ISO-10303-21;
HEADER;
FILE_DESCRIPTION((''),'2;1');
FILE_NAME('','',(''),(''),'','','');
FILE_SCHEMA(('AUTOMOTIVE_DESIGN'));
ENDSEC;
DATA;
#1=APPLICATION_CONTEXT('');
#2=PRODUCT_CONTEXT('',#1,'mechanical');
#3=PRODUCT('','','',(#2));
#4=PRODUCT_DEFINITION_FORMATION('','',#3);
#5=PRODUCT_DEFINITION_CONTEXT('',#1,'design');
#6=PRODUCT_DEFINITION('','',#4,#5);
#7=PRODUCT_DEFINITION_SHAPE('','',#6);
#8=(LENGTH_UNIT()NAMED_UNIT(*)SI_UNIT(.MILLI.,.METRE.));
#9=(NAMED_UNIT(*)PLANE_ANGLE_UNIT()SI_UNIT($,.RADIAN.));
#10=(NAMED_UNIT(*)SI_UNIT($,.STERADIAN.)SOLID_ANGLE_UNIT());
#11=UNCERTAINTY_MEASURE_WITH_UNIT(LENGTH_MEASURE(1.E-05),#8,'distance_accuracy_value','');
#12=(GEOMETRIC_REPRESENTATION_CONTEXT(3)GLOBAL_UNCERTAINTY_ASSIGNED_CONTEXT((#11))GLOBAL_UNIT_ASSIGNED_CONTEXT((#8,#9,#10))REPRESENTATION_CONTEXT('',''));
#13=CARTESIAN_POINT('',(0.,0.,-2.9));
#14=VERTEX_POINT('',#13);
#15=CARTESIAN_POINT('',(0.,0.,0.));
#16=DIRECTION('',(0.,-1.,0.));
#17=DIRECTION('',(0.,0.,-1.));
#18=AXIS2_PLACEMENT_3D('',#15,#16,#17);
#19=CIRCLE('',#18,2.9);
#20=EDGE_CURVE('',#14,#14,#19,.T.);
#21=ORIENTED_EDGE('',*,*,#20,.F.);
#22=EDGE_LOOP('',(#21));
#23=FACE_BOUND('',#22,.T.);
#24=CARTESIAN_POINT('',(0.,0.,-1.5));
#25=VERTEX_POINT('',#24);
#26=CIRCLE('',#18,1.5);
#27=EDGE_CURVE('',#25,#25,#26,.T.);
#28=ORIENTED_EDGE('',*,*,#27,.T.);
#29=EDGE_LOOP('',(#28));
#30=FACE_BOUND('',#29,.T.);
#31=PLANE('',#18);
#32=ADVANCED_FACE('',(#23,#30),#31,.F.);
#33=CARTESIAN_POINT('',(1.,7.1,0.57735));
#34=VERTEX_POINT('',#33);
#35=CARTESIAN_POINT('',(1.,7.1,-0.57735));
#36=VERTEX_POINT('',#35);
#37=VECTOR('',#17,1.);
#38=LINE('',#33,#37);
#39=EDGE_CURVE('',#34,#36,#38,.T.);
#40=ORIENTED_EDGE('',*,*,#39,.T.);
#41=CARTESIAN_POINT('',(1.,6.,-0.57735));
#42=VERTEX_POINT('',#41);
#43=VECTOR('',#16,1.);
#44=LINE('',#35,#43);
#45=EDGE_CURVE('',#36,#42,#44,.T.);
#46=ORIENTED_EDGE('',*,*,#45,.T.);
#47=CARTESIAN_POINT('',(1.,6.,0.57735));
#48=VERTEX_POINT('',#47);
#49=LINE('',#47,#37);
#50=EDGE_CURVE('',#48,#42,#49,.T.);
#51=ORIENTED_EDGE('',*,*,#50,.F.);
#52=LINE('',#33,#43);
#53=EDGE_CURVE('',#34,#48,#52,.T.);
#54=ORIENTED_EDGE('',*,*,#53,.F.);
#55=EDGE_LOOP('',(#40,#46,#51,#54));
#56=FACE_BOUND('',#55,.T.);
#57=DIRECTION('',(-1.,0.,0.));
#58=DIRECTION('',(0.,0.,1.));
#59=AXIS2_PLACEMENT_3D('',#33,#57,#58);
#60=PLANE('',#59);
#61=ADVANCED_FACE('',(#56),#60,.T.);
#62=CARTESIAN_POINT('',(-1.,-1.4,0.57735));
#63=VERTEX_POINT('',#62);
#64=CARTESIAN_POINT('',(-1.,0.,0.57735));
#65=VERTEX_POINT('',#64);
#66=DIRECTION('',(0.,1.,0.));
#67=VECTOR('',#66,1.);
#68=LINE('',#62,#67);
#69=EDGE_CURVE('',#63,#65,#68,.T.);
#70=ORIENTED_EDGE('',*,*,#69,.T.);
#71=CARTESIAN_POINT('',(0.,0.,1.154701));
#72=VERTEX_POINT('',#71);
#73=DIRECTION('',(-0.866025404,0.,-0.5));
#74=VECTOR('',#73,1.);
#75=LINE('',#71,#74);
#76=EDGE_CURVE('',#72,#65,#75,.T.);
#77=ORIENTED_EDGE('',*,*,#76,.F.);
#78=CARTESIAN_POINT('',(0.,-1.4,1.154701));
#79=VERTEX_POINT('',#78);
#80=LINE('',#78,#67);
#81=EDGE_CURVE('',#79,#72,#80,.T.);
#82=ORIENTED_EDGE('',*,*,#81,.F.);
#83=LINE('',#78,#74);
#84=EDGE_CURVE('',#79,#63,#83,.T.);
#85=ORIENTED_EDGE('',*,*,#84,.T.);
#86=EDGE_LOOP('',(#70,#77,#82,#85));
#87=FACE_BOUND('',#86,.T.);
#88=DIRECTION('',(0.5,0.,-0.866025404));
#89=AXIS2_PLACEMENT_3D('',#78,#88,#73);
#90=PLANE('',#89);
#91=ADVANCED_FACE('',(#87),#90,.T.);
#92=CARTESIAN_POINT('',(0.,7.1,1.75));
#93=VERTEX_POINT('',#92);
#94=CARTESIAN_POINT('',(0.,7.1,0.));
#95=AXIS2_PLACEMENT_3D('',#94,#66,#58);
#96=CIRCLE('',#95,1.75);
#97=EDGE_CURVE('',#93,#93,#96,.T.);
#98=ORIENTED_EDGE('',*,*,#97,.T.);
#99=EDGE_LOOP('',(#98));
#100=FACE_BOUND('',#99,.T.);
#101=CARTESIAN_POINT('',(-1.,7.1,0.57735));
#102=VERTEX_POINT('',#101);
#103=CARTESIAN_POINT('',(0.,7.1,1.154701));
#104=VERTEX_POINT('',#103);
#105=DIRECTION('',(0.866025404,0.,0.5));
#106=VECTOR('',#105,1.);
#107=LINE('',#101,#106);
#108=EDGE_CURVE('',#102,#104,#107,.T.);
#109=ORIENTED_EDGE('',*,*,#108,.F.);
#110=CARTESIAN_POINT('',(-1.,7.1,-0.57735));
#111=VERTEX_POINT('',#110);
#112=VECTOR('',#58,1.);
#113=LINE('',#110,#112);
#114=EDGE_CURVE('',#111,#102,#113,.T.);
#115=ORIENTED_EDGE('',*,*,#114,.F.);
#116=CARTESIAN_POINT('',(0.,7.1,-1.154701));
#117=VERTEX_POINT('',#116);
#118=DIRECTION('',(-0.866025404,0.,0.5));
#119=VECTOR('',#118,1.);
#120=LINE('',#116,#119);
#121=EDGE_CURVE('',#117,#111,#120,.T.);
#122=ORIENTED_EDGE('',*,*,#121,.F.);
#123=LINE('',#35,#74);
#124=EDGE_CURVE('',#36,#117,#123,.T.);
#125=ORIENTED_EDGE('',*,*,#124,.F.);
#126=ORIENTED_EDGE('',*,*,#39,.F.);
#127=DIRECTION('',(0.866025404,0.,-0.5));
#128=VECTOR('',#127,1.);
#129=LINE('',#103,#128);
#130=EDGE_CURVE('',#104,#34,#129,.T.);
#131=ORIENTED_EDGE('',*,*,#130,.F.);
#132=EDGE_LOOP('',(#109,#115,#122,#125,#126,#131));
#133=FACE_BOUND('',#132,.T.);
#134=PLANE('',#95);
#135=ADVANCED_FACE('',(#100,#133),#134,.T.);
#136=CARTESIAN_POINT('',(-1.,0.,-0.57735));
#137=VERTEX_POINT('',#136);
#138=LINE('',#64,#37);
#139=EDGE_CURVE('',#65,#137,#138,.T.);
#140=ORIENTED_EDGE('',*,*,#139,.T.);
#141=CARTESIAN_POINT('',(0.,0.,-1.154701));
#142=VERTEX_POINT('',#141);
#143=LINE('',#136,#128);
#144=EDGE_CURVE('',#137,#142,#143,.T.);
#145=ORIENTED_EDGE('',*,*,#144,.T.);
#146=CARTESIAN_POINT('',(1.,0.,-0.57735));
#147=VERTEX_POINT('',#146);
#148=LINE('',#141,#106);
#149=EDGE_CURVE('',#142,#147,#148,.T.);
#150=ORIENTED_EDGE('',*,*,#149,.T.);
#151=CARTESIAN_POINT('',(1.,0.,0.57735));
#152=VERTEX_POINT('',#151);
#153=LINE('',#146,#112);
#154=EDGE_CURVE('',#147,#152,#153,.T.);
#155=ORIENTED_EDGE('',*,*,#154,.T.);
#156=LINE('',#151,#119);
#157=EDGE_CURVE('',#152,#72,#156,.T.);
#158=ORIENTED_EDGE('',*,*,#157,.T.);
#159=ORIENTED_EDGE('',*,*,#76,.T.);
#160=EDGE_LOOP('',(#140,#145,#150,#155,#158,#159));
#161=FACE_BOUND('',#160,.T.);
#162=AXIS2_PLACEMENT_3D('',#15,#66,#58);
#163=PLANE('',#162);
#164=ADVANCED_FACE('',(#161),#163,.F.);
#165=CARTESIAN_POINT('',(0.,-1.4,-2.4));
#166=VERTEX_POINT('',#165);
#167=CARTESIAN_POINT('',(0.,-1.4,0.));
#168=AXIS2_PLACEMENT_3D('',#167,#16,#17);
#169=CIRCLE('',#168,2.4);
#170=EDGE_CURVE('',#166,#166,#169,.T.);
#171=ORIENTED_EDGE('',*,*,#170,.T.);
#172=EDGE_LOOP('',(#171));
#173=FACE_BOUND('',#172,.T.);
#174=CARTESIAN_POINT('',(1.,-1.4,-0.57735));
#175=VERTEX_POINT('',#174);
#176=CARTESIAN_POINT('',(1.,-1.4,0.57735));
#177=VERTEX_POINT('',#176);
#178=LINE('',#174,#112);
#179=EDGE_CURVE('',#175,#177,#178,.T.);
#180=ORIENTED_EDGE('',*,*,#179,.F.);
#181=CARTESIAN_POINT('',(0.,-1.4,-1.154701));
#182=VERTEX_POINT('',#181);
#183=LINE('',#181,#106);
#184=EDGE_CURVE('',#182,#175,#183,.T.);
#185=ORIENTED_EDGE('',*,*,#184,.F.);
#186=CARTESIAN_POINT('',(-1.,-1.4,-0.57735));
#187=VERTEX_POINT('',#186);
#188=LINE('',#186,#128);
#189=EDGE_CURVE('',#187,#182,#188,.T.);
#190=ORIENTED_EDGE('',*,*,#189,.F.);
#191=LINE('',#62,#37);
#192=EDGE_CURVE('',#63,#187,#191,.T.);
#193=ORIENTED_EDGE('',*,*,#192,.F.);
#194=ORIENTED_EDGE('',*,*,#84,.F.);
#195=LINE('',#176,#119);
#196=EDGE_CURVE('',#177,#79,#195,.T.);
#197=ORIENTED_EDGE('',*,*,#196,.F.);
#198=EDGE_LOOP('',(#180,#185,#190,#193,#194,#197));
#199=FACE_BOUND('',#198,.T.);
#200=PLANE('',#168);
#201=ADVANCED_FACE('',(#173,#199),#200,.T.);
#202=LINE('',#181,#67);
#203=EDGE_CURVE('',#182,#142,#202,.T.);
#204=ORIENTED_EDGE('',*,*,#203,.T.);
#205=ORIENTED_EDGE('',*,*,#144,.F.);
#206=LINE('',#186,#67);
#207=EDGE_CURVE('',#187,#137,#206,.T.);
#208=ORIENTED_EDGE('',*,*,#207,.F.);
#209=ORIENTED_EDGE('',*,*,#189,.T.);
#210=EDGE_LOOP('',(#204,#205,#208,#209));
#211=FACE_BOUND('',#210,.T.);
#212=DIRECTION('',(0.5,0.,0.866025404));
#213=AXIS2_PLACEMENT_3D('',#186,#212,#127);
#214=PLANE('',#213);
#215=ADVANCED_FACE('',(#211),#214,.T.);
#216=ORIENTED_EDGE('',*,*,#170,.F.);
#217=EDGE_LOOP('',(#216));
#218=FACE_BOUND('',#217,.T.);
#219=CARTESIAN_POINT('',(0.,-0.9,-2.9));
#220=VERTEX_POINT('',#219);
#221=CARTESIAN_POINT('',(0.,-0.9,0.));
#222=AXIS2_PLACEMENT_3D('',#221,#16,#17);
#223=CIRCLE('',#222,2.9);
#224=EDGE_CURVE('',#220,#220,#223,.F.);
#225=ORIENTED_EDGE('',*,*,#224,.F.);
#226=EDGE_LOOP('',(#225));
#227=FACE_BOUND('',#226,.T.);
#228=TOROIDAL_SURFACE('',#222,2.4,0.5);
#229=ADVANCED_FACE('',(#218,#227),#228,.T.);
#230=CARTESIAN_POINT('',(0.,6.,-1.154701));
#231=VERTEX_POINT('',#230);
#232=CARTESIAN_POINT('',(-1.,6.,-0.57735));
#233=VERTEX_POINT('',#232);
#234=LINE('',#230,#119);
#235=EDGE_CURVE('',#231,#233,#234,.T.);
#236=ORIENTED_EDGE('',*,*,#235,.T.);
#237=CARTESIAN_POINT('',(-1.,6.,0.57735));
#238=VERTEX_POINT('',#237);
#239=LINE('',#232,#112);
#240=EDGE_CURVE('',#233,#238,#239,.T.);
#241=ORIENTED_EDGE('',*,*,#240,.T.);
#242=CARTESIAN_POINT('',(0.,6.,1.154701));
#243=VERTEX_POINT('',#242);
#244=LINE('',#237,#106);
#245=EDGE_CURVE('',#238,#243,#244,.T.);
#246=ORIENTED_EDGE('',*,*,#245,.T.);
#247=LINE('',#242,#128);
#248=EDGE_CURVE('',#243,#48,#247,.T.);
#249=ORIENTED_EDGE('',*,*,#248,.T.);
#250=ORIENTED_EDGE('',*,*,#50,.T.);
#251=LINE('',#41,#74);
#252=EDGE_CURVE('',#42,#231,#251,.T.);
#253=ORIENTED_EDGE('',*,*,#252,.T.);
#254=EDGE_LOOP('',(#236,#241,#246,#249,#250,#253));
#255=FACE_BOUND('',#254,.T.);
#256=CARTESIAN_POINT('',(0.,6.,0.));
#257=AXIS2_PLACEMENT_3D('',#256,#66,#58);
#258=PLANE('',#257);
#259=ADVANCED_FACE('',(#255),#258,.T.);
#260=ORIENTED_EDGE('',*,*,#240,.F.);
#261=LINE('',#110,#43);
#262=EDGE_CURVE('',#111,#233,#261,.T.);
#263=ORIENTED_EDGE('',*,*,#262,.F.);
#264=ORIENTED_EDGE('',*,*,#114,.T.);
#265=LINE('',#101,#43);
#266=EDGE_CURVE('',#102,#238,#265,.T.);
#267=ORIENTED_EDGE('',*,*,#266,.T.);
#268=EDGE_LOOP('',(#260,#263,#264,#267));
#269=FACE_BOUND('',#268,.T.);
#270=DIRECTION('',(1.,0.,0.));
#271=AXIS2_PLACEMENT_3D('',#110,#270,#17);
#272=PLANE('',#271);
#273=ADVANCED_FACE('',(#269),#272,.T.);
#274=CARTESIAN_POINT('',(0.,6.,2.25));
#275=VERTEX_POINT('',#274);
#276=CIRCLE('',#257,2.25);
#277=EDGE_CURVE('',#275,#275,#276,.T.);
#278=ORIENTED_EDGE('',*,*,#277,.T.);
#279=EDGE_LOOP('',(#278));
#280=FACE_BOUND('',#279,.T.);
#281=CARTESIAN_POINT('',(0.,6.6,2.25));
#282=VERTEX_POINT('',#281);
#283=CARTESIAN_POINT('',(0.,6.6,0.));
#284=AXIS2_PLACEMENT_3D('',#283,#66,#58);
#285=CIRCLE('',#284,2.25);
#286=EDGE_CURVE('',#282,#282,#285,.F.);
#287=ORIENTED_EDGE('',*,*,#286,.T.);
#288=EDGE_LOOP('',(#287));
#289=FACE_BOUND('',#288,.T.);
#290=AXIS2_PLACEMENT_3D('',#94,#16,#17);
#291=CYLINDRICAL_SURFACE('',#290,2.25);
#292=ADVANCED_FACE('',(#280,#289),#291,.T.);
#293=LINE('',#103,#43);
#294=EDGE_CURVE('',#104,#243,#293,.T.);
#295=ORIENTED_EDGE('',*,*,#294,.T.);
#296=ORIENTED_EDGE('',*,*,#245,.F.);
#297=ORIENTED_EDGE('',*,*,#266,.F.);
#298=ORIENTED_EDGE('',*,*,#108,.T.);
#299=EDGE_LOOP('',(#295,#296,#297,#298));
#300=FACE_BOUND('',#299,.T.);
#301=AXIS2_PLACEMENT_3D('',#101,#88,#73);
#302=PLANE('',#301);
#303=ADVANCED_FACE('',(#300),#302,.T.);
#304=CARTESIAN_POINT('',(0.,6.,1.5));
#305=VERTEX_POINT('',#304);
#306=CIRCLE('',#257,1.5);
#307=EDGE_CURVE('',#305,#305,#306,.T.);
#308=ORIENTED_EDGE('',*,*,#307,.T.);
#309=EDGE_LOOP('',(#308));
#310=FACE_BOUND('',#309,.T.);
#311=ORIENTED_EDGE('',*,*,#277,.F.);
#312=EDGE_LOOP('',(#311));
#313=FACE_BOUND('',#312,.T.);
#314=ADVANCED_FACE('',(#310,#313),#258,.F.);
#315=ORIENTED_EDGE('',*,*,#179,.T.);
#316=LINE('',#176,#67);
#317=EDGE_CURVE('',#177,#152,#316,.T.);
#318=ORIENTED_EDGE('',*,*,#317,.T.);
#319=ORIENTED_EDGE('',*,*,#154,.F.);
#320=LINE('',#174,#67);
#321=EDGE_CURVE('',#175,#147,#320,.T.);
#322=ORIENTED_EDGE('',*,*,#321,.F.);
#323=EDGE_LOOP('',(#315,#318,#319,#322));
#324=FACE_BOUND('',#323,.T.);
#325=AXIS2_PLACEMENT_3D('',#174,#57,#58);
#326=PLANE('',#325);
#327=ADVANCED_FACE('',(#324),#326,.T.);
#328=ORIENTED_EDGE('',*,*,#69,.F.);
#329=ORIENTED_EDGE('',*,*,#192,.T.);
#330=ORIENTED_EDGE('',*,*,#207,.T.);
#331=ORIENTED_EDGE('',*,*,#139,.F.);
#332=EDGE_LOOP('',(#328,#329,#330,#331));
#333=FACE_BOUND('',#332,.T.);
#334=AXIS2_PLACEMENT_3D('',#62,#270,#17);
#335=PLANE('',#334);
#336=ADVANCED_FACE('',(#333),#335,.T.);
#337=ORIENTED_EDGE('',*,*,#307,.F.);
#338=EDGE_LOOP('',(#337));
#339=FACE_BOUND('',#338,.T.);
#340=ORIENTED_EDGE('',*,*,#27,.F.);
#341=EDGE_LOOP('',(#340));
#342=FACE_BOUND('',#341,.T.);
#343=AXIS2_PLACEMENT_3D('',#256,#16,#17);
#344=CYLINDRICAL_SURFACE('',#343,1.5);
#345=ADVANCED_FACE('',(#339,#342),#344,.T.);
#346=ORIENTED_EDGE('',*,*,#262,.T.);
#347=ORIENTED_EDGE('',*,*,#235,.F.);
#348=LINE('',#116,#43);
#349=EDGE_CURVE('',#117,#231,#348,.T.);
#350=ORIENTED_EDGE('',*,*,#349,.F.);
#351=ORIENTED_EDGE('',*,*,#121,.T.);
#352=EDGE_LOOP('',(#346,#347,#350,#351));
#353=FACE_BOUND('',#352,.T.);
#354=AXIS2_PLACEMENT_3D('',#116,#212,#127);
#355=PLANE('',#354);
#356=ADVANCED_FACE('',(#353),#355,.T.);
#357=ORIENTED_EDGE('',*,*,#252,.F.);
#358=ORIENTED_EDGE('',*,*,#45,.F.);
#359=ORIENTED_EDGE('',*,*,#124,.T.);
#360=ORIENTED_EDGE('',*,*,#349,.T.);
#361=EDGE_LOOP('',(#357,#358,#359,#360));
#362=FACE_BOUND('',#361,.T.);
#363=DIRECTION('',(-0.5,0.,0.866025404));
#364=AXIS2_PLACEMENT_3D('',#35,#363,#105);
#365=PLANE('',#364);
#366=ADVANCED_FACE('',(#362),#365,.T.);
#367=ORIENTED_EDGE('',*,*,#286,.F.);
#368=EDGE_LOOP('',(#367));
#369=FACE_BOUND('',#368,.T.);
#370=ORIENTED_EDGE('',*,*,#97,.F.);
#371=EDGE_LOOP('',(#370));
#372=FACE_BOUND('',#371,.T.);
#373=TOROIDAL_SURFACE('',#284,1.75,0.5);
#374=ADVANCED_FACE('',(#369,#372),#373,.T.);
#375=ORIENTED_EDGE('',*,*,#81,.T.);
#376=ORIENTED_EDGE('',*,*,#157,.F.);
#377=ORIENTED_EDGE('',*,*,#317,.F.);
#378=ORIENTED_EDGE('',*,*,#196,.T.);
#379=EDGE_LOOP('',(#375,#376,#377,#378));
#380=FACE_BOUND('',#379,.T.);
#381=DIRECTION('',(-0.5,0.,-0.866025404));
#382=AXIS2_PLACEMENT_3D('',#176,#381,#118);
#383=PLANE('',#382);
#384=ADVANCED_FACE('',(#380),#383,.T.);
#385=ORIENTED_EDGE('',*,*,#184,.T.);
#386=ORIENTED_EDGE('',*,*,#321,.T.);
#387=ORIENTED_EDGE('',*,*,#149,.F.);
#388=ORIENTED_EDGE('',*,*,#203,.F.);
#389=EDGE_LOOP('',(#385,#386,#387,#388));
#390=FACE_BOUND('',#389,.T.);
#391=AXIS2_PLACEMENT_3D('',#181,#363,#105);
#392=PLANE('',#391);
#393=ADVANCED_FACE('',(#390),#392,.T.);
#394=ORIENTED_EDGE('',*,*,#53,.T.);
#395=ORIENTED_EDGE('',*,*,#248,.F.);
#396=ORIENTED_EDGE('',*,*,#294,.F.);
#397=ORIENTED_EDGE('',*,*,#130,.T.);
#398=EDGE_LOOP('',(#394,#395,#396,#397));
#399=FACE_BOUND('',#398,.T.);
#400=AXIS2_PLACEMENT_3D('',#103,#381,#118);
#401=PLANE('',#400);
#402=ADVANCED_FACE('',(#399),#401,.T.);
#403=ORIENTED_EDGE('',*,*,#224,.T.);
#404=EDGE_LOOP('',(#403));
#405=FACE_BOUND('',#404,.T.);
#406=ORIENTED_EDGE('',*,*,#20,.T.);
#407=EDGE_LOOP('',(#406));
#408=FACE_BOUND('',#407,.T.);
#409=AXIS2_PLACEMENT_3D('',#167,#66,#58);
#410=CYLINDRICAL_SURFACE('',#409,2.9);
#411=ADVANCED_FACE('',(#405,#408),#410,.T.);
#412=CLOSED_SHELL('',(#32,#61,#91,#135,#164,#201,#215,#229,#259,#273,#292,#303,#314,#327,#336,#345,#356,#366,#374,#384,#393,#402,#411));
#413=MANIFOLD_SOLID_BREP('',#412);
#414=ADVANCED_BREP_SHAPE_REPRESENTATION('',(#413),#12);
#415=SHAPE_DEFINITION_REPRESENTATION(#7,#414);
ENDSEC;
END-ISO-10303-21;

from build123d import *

# Parameters (mm, degrees)
SKETCH_1_R      = 1.5
EXTRUDE_1_DEPTH = 6
SKETCH_2_R      = 2.25
EXTRUDE_2_DEPTH = 1.1
SKETCH_3_R      = 2.9
EXTRUDE_3_DEPTH = 1.4
FILLET_1_R      = 0.5


with BuildPart() as part:
    # 草图1 → 凸台-拉伸1 (new body)
    with BuildSketch(Plane(origin=(0, 0, 0), x_dir=(1, 0, 0), z_dir=(0, 1, 0))):
        with Locations(Location((0, 0, 0), (0, 0, 270))):
            Circle(SKETCH_1_R)
    extrude(amount=EXTRUDE_1_DEPTH)

    # 草图2 → 凸台-拉伸2 (add)
    with BuildSketch(Plane(origin=(0, 6, 0), x_dir=(1, 0, 0), z_dir=(0, 1, 0))):
        with Locations(Location((0, 0, 0), (0, 0, 270))):
            Circle(SKETCH_2_R)
        Polygon((0, 1.154700538), (-1, 0.577350269), (-1, -0.577350269), (0, -1.154700538), (1, -0.577350269), (1, 0.577350269), align=None, mode=Mode.SUBTRACT)
    extrude(amount=EXTRUDE_2_DEPTH)

    # 草图3 → 凸台-拉伸3 (add)
    with BuildSketch(Plane.XZ):
        with Locations(Location((0, 0, 0), (0, 0, 270))):
            Circle(SKETCH_3_R)
        Polygon((0, 1.154700538), (-1, 0.577350269), (-1, -0.577350269), (0, -1.154700538), (1, -0.577350269), (1, 0.577350269), align=None, mode=Mode.SUBTRACT)
    extrude(amount=EXTRUDE_3_DEPTH)

    # 圆角1
    fillet_1_edges = [part.edges().sort_by_distance(p)[0] for p in [
        (0, 7.1, -2.25),
        (0, -1.4, 2.9),
    ]]
    fillet(fillet_1_edges, radius=FILLET_1_R)


solid = part.part
